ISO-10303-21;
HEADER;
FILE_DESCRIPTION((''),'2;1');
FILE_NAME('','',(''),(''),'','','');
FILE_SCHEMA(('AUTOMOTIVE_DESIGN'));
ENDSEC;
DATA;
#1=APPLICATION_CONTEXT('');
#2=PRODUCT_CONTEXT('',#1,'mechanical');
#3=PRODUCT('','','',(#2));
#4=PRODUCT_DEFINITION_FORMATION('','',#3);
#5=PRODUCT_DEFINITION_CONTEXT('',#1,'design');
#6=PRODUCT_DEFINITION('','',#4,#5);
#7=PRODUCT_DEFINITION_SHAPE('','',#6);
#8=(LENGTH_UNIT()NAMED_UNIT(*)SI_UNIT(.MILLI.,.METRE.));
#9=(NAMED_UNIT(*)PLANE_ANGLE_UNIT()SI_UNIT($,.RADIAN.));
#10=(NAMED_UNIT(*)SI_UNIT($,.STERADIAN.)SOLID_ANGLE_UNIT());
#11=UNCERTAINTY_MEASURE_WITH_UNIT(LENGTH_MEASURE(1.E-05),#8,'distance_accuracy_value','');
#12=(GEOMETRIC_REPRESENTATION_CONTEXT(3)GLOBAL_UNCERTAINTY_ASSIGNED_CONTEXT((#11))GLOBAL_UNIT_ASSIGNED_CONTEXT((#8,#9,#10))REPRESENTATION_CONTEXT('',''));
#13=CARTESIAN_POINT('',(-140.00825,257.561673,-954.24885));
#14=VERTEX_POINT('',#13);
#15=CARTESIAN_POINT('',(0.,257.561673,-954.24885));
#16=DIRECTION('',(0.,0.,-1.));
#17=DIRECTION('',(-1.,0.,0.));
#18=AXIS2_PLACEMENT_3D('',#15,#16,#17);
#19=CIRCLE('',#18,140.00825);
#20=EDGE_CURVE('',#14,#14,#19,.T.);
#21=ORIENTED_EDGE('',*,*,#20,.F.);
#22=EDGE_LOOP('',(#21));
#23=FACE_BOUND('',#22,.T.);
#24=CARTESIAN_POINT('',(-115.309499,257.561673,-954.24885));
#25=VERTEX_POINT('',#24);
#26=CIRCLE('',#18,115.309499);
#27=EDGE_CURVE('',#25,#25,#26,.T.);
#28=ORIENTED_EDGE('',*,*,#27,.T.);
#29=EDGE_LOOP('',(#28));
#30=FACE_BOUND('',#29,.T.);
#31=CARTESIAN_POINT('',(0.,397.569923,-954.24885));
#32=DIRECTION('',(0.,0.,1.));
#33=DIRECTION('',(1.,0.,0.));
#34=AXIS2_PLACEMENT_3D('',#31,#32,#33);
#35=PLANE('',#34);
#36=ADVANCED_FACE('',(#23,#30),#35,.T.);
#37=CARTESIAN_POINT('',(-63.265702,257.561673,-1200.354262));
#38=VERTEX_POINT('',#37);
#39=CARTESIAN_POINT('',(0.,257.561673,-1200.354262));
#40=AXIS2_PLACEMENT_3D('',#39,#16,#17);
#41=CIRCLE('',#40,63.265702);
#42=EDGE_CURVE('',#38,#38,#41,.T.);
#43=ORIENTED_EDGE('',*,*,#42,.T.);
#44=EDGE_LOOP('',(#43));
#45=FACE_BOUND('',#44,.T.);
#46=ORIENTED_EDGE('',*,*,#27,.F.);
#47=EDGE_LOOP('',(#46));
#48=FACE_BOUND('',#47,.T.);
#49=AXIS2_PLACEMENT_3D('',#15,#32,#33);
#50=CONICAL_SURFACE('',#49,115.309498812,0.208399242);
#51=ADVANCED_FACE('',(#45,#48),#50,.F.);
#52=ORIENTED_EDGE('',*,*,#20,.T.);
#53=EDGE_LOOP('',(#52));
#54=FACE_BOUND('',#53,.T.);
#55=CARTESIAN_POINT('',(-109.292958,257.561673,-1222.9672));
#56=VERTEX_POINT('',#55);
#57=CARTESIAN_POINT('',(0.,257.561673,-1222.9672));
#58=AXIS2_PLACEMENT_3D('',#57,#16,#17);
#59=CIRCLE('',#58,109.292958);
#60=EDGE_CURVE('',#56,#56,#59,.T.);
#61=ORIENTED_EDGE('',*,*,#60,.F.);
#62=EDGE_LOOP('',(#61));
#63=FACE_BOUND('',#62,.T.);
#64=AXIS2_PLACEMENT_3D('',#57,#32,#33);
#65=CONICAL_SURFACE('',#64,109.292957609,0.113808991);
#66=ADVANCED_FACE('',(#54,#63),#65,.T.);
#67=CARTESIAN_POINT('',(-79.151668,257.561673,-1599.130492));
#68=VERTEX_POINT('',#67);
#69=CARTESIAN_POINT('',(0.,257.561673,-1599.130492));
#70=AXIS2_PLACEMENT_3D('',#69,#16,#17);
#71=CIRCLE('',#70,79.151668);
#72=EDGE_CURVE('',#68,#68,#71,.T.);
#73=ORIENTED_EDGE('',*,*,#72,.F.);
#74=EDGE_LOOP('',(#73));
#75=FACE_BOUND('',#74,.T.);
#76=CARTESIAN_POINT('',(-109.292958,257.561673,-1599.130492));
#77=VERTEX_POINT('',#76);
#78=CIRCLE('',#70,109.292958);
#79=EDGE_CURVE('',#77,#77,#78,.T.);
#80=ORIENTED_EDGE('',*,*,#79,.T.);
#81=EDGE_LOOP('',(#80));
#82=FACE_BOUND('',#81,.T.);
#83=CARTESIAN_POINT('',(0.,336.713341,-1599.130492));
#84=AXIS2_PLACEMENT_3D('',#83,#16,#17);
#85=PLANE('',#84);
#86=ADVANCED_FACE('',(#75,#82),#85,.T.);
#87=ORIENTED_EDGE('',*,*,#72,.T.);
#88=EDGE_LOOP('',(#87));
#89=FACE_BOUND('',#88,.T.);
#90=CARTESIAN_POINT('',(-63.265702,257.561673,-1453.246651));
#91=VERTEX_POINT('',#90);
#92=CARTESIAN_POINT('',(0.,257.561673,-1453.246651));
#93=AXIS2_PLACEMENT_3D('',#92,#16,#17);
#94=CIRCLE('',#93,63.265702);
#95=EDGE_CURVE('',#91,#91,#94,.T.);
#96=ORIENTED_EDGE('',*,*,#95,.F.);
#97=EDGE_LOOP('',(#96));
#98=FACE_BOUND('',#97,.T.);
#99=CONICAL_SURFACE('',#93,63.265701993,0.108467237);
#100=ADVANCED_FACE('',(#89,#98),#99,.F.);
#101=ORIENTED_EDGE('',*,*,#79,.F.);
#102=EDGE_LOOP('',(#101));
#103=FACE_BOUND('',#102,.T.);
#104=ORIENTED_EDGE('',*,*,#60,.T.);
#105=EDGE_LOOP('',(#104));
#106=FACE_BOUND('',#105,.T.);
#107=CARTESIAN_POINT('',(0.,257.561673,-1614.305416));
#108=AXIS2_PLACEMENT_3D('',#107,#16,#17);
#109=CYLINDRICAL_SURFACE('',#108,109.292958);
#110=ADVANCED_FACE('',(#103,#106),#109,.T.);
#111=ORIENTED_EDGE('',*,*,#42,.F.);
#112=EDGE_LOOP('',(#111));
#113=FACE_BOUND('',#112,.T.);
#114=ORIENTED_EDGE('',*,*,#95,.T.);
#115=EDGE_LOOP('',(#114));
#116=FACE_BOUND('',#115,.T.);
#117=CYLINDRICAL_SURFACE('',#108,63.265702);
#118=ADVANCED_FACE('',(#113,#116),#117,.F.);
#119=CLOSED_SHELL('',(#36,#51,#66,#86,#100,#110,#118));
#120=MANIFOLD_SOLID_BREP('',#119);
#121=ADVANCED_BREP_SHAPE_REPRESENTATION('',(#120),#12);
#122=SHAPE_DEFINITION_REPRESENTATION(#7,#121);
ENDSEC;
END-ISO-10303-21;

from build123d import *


with BuildPart() as part:
    # Sketch56 → Revolve1 (revolve)
    with BuildSketch(Plane(origin=(0, 0, 0), x_dir=(0, 0, -1), z_dir=(1, 0, 0))):
        Polygon((954.248849632, 397.569923116), (954.248849632, 372.871172083), (1200.354261712, 320.827375263), (1453.24665134, 320.827375263), (1599.130492084, 336.71334147), (1599.130492084, 366.85463088), (1222.967200249, 366.85463088), align=None)
    revolve(axis=Axis((0, 257.561673271, -1614.305416091), (0, 0, 1)))


solid = part.part
